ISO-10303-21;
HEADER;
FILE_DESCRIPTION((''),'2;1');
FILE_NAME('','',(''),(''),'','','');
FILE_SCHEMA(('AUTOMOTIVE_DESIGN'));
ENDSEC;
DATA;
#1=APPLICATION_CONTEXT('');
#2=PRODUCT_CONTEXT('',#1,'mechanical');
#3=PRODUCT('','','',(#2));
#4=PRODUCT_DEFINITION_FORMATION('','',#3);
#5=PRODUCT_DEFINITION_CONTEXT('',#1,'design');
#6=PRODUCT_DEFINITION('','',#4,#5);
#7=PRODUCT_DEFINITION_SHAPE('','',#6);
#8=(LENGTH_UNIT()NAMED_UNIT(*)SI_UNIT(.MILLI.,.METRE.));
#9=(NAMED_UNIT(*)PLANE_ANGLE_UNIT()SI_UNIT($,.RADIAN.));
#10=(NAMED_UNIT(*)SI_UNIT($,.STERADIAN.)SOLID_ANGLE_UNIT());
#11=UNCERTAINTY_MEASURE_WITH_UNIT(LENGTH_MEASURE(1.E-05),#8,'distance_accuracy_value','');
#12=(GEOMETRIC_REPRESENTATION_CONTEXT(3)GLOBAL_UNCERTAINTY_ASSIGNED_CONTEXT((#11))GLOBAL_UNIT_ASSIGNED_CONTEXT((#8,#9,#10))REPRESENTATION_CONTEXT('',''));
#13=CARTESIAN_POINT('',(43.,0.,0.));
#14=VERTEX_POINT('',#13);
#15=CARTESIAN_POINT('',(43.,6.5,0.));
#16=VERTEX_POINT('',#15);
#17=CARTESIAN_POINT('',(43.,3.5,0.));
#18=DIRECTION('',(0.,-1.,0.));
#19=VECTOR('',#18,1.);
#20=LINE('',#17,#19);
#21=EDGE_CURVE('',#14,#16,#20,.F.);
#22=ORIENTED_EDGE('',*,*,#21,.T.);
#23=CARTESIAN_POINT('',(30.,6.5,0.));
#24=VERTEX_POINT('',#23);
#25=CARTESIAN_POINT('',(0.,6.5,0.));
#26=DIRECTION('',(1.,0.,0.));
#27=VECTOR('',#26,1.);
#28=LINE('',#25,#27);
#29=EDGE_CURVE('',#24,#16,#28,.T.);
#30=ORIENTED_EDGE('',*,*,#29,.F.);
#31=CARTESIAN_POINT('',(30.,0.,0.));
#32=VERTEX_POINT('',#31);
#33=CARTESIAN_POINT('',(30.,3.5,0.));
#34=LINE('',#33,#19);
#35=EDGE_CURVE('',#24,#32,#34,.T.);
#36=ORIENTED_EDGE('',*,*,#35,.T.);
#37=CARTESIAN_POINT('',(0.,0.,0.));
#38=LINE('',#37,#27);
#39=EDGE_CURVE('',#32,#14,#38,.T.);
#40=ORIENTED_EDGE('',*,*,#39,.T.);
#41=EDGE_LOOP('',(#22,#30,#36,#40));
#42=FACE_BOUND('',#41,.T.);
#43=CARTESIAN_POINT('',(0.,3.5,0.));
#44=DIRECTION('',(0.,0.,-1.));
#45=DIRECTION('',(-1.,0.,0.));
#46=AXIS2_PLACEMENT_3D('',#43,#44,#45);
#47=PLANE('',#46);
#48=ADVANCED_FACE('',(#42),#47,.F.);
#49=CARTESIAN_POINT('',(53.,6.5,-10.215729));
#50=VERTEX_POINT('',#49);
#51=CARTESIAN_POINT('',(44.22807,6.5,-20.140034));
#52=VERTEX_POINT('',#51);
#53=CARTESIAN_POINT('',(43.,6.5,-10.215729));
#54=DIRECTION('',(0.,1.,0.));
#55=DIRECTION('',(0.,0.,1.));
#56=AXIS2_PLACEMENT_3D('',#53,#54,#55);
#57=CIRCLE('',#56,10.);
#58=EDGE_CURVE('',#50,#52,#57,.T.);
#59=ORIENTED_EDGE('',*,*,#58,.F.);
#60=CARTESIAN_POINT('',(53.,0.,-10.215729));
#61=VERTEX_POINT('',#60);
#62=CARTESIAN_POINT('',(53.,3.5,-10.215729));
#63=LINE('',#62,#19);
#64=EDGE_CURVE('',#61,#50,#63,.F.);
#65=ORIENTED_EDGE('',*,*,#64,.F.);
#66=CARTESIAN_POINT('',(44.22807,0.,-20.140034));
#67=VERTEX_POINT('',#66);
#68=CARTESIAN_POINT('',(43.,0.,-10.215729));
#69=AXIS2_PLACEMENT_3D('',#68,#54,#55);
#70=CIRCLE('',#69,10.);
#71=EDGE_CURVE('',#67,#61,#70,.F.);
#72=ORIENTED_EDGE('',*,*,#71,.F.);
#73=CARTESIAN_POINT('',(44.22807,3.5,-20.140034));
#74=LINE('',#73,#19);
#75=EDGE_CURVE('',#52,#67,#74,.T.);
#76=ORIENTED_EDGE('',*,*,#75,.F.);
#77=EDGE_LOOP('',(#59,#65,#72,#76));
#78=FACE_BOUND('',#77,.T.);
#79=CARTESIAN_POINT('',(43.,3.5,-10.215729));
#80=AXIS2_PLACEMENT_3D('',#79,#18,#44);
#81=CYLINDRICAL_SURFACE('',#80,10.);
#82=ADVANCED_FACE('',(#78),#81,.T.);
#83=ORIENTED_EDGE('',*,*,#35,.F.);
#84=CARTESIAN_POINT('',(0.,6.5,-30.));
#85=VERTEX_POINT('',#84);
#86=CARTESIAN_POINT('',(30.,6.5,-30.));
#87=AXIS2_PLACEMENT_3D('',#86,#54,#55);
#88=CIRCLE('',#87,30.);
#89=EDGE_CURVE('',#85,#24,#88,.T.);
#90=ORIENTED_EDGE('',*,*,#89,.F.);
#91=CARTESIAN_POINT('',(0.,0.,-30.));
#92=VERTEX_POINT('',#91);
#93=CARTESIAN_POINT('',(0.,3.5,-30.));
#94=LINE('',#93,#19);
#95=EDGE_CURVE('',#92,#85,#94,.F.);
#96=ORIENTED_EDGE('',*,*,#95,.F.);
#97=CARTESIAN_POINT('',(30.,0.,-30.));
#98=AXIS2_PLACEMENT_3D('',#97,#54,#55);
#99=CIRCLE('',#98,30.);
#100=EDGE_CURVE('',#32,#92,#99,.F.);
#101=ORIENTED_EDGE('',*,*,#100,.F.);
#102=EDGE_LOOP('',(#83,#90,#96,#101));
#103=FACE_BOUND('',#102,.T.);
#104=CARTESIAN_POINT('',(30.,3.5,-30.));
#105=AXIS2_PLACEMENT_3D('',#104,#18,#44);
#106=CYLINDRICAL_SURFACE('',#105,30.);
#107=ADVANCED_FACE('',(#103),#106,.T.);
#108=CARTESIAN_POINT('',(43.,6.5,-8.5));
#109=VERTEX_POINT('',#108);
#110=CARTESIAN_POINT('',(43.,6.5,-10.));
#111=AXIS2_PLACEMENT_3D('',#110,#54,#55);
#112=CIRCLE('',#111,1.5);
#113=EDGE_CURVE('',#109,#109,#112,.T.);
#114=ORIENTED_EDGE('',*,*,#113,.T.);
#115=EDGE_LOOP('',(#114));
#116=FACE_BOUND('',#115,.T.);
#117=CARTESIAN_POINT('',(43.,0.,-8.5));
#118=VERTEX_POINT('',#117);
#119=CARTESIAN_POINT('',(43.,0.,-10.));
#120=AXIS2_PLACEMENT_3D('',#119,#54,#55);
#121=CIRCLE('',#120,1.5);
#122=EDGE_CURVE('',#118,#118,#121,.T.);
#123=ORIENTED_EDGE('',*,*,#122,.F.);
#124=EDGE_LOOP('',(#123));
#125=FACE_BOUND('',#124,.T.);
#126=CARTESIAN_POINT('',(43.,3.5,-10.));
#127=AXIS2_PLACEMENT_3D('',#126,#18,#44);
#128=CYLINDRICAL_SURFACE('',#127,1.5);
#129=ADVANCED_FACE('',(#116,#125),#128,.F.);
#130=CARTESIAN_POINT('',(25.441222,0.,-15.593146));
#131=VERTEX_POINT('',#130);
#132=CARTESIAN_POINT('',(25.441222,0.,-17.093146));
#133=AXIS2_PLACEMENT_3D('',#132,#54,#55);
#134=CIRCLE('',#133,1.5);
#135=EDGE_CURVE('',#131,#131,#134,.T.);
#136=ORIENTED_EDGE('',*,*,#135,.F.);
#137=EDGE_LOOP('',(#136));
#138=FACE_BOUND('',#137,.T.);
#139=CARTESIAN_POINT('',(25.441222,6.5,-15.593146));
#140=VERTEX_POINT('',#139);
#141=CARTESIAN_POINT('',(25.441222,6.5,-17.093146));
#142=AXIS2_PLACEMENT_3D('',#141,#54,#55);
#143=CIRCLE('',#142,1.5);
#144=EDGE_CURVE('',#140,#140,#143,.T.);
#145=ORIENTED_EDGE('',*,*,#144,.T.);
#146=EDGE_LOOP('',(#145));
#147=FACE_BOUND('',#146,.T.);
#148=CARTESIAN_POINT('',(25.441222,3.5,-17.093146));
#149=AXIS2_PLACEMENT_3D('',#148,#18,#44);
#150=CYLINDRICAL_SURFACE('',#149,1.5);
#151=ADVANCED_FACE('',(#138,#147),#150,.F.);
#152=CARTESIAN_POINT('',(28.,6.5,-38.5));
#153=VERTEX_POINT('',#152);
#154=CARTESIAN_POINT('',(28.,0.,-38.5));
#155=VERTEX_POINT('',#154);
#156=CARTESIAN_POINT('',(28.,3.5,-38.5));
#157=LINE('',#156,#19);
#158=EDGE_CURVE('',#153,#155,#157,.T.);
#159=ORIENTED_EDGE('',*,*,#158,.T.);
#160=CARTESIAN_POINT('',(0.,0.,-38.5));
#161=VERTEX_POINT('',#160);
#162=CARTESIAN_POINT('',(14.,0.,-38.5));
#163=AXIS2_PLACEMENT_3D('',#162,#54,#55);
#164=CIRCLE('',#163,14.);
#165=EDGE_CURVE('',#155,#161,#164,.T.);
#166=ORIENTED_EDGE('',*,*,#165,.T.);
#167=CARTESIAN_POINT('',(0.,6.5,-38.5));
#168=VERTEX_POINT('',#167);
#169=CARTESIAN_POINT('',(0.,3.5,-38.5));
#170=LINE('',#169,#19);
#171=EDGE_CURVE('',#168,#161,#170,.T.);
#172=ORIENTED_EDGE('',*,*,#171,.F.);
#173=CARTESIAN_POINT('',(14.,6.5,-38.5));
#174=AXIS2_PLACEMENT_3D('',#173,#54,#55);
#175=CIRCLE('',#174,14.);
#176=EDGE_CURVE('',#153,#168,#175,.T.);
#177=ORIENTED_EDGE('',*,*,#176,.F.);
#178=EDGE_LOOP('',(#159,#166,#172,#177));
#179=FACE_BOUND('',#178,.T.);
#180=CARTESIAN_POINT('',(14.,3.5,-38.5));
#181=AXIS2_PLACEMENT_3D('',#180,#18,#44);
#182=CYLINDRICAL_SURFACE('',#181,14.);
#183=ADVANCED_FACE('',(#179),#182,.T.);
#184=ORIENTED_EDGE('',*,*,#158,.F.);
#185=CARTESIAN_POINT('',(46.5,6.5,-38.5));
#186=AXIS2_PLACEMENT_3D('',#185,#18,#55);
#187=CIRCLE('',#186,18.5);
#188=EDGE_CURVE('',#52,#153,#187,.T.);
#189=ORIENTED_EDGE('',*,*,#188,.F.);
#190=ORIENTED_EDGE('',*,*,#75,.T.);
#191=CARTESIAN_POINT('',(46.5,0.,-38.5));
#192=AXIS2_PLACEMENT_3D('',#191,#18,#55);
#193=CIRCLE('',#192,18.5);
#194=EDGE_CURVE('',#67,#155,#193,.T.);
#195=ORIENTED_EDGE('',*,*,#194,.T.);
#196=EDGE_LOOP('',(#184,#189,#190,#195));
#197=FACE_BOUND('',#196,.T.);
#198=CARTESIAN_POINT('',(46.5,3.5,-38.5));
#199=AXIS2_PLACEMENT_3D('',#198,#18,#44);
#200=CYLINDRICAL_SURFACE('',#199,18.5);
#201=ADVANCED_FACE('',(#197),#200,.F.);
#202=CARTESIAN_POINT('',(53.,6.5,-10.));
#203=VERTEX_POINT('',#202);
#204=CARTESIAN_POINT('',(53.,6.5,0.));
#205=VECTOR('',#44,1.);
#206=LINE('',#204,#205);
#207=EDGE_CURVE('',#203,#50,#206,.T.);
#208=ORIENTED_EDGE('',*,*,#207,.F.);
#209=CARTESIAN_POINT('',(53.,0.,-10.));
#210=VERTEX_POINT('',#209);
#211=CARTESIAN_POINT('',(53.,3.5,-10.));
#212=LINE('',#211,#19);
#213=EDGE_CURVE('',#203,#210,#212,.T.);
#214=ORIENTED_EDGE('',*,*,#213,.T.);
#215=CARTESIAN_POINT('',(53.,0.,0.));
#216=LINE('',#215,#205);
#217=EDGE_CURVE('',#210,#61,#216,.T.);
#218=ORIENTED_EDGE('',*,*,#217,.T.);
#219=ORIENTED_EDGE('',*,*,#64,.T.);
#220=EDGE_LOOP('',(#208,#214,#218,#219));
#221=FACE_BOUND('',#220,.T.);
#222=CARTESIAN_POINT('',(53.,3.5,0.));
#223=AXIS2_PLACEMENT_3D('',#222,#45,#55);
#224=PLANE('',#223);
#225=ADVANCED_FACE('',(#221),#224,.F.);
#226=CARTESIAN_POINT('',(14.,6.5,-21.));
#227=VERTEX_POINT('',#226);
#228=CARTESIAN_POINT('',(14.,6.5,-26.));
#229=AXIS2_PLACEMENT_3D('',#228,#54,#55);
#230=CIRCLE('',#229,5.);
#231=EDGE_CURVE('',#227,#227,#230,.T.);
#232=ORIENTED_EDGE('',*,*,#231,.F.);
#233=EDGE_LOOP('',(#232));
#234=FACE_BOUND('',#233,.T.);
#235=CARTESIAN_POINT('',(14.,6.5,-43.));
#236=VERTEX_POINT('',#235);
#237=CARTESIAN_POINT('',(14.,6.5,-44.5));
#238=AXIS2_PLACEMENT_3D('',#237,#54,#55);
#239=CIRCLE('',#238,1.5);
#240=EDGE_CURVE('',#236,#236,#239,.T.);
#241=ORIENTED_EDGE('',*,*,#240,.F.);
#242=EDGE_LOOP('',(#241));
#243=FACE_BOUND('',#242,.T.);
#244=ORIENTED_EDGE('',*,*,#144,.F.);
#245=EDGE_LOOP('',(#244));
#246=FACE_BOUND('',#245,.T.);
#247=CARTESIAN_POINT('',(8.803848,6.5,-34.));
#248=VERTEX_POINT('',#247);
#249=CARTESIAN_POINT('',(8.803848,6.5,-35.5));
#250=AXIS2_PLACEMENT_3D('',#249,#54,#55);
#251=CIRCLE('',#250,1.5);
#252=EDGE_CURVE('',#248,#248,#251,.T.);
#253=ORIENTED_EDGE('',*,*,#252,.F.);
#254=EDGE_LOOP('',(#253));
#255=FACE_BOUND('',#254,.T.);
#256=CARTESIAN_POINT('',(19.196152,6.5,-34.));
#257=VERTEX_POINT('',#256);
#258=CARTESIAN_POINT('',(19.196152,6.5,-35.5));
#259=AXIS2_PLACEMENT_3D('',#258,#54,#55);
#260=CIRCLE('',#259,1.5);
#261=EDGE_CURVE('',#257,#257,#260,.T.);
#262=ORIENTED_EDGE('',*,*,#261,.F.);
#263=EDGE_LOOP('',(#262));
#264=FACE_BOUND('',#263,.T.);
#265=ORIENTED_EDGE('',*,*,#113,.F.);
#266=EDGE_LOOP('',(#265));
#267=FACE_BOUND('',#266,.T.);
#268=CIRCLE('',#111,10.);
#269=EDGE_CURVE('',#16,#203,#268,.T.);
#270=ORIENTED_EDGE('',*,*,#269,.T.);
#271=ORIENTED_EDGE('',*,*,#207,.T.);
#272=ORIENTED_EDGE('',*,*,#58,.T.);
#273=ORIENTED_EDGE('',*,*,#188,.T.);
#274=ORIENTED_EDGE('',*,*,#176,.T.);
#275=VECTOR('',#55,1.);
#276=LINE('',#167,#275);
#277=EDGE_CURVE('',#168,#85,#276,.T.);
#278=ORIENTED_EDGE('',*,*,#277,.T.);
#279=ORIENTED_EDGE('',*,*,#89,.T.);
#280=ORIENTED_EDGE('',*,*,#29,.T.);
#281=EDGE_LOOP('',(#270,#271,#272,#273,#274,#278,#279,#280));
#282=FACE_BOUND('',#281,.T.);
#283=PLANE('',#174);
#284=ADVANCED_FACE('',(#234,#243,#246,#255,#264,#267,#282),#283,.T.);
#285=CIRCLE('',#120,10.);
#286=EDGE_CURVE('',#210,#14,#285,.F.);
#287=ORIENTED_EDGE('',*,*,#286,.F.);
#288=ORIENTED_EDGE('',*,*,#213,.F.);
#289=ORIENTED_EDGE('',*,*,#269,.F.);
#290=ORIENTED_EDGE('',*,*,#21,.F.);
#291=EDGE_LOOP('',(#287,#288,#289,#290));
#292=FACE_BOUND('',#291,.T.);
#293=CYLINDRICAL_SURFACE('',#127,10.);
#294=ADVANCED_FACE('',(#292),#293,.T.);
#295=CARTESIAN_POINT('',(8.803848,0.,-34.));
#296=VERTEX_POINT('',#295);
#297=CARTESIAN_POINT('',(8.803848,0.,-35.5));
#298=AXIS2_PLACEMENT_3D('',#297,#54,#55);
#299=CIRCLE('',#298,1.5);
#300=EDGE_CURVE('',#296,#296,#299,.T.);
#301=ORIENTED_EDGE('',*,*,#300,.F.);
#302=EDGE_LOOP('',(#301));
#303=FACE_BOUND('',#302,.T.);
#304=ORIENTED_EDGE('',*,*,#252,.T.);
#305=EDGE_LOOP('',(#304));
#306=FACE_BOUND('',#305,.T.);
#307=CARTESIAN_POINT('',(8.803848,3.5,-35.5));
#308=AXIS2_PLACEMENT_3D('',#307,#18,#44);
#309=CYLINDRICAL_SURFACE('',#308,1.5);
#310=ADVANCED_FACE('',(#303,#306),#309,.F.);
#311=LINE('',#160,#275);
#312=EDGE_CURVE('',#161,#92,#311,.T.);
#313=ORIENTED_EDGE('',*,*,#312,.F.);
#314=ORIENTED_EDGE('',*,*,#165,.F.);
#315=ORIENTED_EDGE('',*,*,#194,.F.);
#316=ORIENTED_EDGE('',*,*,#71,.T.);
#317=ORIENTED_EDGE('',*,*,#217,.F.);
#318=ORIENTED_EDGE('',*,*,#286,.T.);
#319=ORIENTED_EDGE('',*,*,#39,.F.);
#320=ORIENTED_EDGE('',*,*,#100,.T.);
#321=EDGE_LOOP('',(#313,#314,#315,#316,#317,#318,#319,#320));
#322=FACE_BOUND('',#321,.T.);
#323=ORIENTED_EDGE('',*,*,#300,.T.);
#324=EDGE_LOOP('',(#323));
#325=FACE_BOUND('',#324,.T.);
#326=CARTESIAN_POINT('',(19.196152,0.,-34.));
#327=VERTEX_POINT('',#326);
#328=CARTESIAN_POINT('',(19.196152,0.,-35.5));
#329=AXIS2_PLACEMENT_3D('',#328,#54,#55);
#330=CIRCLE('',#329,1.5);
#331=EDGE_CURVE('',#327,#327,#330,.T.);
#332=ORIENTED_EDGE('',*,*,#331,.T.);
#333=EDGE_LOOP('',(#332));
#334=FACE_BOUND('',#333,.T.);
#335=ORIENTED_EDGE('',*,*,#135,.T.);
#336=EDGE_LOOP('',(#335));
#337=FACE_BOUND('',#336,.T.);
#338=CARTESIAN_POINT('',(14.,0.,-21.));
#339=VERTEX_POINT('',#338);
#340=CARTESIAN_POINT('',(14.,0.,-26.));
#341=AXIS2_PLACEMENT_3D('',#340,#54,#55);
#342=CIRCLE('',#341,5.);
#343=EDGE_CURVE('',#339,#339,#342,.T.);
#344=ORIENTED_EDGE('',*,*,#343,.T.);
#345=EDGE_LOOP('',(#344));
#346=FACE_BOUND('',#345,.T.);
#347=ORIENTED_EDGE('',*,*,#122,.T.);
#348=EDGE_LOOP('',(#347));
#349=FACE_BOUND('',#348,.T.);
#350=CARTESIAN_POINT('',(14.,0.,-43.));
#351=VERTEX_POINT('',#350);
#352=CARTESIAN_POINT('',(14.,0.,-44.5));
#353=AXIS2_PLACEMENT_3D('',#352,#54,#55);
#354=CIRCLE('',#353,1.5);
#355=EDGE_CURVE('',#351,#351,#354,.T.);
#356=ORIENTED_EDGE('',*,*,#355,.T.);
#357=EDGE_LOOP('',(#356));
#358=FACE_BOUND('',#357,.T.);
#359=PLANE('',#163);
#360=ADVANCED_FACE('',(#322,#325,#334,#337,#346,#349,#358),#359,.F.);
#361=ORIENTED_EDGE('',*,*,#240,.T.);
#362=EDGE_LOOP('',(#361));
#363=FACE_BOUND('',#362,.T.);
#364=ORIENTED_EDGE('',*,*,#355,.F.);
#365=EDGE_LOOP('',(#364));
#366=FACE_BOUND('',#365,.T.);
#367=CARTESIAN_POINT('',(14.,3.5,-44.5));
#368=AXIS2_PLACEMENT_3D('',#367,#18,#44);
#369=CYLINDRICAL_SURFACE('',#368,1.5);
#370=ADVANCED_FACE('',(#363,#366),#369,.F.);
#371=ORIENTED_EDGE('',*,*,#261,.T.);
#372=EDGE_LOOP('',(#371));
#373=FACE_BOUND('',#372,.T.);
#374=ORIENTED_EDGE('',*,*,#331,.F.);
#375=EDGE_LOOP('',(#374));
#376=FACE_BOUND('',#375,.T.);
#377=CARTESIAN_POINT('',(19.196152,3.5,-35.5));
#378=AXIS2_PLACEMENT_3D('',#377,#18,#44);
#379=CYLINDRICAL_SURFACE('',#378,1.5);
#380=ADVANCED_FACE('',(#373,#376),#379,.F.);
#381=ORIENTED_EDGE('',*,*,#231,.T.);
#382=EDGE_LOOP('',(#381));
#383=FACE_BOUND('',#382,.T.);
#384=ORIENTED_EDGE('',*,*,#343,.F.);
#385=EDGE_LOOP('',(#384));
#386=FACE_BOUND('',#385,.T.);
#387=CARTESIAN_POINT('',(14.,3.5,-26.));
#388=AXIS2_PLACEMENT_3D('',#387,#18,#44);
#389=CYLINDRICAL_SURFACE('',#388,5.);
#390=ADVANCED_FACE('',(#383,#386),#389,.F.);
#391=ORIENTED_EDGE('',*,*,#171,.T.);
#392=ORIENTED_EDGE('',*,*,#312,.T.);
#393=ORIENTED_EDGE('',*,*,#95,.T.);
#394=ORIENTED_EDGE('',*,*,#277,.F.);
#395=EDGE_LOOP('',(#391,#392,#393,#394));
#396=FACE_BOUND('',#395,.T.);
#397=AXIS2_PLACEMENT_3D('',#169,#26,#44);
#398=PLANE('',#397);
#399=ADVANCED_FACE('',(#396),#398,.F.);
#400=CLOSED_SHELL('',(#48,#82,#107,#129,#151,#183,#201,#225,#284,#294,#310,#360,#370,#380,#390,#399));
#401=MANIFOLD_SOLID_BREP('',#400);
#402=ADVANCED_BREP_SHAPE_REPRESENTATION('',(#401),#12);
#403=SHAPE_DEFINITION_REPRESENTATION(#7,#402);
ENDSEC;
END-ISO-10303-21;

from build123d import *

# Parameters (mm, degrees)
SKETCH_1_R      = 1.5
SKETCH_1_R_2    = 5
EXTRUDE_1_DEPTH = 3.5
SKETCH_1_2_R    = 1.5
SKETCH_1_2_R_2  = 5
EXTRUDE_2_DEPTH = 6.5
FILLET_3_R      = 10
FILLET_4_R      = 10
FILLET_5_R      = 30


with BuildPart() as part:
    # 草图1 → 凸台-拉伸1 (new body)
    with BuildSketch(Plane(origin=(0, 0, 0), x_dir=(1, 0, 0), z_dir=(0, 1, 0))):
        with BuildLine():
            Line((0, 0), (53, 0))
            Line((53, 0), (53, 20))
            Line((53, 20), (46.5, 20))
            ThreePointArc((46.5, 20), (33.418524548, 25.418524548), (28, 38.5))
            ThreePointArc((28, 38.5), (14, 52.5), (0, 38.5))
            Line((0, 38.5), (0, 0))
        make_face()
        with Locations((14, 44.5)):
            Circle(SKETCH_1_R, mode=Mode.SUBTRACT)
        with Locations((19.196152423, 35.5)):
            Circle(SKETCH_1_R, mode=Mode.SUBTRACT)
        with Locations((43, 10)):
            Circle(SKETCH_1_R, mode=Mode.SUBTRACT)
        with Locations((14, 26)):
            Circle(SKETCH_1_R_2, mode=Mode.SUBTRACT)
        with Locations((8.803847577, 35.5)):
            Circle(SKETCH_1_R, mode=Mode.SUBTRACT)
        with Locations((25.441221962, 17.093145751)):
            Circle(SKETCH_1_R, mode=Mode.SUBTRACT)
    extrude(amount=EXTRUDE_1_DEPTH)

    # 草图1<2> → 凸台-拉伸2 (add)
    with BuildSketch(Plane(origin=(0, 0, 0), x_dir=(1, 0, 0), z_dir=(0, 1, 0))):
        with BuildLine():
            Line((0, 0), (53, 0))
            Line((53, 0), (53, 20))
            Line((53, 20), (46.5, 20))
            ThreePointArc((46.5, 20), (33.418524548, 25.418524548), (28, 38.5))
            ThreePointArc((28, 38.5), (14, 52.5), (0, 38.5))
            Line((0, 38.5), (0, 0))
        make_face()
        with Locations((14, 44.5)):
            Circle(SKETCH_1_2_R, mode=Mode.SUBTRACT)
        with Locations((19.196152423, 35.5)):
            Circle(SKETCH_1_2_R, mode=Mode.SUBTRACT)
        with Locations((43, 10)):
            Circle(SKETCH_1_2_R, mode=Mode.SUBTRACT)
        with Locations((14, 26)):
            Circle(SKETCH_1_2_R_2, mode=Mode.SUBTRACT)
        with Locations((8.803847577, 35.5)):
            Circle(SKETCH_1_2_R, mode=Mode.SUBTRACT)
        with Locations((25.441221962, 17.093145751)):
            Circle(SKETCH_1_2_R, mode=Mode.SUBTRACT)
    extrude(amount=EXTRUDE_2_DEPTH)

    # 圆角3
    fillet_3_edges = [part.edges().sort_by_distance(p)[0] for p in [
        (53, 3.25, 0),
    ]]
    fillet(fillet_3_edges, radius=FILLET_3_R)

    # 圆角4
    fillet_4_edges = [part.edges().sort_by_distance(p)[0] for p in [
        (53, 3.25, -20),
    ]]
    fillet(fillet_4_edges, radius=FILLET_4_R)

    # 圆角5
    fillet_5_edges = [part.edges().sort_by_distance(p)[0] for p in [
        (0, 3.25, 0),
    ]]
    fillet(fillet_5_edges, radius=FILLET_5_R)


solid = part.part
